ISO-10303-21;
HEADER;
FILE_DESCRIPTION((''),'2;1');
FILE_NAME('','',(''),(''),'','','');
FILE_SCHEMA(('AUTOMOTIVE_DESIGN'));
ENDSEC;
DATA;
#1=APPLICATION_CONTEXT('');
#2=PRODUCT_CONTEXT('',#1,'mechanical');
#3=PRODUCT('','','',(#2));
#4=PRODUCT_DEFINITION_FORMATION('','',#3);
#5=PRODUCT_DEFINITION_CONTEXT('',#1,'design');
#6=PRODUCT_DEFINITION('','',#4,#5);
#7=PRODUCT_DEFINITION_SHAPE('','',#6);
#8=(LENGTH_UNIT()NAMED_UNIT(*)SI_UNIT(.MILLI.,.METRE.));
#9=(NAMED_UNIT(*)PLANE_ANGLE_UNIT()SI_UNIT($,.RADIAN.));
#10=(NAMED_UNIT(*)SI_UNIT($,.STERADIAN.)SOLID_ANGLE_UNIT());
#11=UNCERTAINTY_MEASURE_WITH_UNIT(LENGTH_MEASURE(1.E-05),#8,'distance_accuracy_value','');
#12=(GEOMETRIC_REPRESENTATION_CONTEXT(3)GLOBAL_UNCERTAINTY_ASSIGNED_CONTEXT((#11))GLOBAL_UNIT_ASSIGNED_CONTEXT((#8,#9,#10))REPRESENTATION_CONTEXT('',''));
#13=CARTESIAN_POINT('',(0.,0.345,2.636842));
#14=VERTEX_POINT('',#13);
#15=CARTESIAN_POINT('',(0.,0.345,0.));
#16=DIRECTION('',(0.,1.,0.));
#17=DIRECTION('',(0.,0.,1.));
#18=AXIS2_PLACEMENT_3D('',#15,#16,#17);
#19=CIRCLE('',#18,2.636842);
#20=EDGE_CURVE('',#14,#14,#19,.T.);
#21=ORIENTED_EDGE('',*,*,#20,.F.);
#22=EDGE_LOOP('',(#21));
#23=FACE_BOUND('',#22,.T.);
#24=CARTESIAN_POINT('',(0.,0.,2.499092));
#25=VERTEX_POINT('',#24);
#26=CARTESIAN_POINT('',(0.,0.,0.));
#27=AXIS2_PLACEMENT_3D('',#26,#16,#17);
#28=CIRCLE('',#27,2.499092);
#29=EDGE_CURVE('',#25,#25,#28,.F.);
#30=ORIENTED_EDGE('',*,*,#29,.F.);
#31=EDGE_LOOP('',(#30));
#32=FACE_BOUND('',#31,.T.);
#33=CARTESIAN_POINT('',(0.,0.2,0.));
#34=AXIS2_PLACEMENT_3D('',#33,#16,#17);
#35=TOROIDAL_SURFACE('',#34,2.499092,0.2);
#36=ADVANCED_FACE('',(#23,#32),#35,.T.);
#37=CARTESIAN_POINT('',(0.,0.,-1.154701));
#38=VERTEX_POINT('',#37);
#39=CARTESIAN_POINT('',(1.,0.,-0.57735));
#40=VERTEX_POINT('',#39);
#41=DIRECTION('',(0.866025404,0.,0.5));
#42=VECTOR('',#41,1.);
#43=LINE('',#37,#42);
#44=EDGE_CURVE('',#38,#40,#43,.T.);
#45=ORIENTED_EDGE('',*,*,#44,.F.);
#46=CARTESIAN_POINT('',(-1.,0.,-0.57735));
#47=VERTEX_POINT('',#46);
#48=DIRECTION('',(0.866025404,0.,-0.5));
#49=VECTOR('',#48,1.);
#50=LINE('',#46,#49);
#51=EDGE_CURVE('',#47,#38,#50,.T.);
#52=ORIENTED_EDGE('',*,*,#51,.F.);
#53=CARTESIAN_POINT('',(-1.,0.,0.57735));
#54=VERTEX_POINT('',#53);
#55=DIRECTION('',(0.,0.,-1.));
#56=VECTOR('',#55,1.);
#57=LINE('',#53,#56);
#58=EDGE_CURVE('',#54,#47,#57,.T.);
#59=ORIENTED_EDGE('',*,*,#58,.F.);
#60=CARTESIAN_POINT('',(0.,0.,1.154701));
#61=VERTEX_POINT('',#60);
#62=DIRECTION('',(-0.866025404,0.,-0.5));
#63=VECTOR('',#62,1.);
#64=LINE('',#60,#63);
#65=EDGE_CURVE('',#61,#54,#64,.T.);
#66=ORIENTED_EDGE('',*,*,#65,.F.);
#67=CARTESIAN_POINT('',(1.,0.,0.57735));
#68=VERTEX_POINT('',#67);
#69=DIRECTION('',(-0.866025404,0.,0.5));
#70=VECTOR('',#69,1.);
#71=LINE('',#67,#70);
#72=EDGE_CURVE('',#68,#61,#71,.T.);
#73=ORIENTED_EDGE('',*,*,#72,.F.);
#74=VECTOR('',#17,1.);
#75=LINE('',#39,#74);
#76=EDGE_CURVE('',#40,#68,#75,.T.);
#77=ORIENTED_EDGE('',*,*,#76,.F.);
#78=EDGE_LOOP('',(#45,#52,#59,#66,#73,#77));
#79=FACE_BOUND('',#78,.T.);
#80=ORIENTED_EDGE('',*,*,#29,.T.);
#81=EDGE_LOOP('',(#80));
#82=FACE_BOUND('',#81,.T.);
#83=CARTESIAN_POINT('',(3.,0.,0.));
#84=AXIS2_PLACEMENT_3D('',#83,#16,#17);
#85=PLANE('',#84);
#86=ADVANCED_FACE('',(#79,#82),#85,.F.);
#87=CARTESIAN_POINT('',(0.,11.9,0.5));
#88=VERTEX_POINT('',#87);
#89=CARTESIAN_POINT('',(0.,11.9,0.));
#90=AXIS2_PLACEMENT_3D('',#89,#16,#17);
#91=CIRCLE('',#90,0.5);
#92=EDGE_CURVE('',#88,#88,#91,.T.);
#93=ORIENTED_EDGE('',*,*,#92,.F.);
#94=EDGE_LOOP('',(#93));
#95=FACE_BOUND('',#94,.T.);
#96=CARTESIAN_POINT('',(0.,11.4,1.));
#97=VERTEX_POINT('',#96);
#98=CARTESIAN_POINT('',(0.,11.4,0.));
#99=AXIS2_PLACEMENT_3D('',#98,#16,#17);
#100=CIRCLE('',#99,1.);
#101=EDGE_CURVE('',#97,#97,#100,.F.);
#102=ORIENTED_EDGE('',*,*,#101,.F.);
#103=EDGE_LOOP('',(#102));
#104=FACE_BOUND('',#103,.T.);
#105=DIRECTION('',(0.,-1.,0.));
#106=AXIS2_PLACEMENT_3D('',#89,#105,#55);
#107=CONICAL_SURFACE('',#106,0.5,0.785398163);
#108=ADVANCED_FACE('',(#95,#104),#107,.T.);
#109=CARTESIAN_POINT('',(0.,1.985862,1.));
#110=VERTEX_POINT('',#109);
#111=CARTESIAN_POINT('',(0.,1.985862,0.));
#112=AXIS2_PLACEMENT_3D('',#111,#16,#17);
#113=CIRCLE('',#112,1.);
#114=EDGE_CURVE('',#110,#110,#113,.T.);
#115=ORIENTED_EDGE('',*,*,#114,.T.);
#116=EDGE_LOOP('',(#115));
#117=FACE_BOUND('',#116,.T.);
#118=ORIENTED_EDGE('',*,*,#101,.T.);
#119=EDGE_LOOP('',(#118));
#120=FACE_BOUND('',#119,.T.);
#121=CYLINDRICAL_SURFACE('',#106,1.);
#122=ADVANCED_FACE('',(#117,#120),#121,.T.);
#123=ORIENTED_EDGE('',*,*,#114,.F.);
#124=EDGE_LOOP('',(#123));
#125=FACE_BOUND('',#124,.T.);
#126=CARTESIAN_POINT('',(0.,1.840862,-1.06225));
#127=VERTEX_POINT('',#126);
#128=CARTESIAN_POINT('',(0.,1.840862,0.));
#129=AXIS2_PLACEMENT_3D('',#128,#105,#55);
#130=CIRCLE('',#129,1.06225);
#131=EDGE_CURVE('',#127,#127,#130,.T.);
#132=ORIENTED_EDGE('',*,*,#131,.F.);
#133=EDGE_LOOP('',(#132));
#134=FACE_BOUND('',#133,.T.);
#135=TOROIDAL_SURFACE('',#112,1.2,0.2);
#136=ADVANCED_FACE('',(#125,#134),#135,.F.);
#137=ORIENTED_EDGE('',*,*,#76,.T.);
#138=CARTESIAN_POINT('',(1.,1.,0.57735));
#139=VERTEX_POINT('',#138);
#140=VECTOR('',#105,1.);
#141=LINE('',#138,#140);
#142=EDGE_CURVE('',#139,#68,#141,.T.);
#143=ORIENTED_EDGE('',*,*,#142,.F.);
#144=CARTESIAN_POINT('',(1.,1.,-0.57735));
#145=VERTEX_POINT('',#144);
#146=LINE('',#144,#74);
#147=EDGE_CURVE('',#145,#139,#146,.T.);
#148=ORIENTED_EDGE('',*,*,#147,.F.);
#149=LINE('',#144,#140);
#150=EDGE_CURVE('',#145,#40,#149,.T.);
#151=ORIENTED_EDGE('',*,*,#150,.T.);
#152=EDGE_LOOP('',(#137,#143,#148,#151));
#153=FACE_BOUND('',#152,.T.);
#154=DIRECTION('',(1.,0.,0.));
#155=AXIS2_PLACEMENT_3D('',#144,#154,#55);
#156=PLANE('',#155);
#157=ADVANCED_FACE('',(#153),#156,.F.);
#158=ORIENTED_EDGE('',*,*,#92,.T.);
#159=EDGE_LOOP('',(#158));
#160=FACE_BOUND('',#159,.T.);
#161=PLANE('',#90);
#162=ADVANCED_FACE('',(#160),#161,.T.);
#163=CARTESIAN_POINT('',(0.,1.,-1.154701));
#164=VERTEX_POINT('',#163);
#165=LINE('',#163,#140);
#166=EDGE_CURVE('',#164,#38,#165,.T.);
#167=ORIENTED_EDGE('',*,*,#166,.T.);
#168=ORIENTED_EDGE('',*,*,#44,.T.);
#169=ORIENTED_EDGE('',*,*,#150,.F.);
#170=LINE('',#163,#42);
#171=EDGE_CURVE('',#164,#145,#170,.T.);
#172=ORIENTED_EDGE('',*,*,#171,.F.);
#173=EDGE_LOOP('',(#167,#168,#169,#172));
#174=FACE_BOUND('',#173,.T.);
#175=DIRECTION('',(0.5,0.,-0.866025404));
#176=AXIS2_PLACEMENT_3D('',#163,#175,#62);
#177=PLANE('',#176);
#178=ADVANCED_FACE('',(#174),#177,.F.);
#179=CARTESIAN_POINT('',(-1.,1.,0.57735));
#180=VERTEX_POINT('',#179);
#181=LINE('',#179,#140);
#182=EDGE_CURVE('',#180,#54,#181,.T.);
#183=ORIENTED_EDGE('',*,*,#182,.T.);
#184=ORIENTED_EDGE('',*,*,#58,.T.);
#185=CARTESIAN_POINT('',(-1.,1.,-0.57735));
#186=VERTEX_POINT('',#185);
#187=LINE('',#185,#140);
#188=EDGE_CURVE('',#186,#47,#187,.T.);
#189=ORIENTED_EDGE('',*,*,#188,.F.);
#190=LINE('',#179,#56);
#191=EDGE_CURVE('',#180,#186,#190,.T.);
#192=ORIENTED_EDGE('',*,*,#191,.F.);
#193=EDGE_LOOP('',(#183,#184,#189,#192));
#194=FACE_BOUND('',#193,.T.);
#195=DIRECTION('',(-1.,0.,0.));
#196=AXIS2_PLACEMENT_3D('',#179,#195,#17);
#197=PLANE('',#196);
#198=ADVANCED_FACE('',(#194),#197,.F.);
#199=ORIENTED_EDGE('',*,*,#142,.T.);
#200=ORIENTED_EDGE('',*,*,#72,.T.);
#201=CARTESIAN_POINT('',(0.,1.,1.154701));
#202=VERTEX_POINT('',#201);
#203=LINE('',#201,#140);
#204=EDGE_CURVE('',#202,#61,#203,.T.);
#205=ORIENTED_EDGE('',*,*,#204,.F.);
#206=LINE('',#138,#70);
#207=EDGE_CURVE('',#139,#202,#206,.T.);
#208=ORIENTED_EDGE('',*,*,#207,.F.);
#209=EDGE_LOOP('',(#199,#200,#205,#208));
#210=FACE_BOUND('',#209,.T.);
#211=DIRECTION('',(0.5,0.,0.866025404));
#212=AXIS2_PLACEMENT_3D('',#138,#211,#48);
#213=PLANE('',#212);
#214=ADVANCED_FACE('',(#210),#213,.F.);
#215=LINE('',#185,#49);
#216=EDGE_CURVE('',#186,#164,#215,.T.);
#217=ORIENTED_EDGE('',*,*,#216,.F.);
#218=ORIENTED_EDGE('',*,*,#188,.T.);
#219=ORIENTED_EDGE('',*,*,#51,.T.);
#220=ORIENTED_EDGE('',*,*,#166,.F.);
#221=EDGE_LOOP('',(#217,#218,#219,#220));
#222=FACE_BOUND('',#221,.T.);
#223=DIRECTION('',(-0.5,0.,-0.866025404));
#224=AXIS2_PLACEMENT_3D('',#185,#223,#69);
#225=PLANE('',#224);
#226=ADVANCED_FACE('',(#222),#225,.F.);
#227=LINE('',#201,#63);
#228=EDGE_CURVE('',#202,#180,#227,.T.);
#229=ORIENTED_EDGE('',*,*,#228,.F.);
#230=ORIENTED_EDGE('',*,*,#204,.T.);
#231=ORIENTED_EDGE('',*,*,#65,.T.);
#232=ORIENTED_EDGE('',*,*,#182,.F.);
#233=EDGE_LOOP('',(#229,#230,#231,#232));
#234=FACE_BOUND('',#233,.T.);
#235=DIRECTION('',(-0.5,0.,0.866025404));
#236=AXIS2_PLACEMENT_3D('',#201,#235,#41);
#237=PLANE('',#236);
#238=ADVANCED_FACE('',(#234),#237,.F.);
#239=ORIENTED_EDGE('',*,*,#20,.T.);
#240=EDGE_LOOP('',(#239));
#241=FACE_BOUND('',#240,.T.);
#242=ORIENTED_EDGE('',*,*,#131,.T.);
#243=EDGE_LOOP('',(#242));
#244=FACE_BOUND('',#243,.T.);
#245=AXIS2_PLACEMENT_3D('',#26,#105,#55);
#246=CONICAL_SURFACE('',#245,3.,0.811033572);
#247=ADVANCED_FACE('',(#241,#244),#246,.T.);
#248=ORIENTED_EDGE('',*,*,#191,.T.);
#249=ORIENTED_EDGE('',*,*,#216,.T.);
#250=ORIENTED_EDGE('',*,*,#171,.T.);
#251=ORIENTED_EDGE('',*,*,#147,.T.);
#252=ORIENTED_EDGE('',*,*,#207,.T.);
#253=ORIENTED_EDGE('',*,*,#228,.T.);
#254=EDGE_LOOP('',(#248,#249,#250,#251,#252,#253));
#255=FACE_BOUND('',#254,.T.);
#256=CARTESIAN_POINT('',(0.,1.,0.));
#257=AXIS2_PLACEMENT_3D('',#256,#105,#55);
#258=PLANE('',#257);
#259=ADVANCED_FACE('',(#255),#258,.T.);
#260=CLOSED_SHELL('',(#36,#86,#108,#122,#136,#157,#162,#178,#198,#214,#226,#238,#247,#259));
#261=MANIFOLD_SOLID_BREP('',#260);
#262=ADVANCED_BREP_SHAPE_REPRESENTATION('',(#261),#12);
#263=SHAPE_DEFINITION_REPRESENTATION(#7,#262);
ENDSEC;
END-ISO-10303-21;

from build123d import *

# Parameters (mm, degrees)
SKETCH_2_R          = 1
EXTRUDE_1_DEPTH     = 10
CUT_EXTRUDE_1_DEPTH = 1
CHAMFER_1_SIZE      = 0.5
FILLET_1_R          = 0.2


with BuildPart() as part:
    # 草图1 → 旋转2 (revolve)
    with BuildSketch(Plane.XY, mode=Mode.PRIVATE) as revolve_2_sk:
        Polygon((0, 1.9), (1, 1.9), (3, 0), (0, 0), align=None)
    revolve(revolve_2_sk.sketch.rotate(Axis((0, 3.310292653, 0), (0, -1, 0)), 270), axis=Axis((0, 3.310292653, 0), (0, -1, 0)))

    # 草图2 → 凸台-拉伸1 (add)
    with BuildSketch(Plane(origin=(0, 1.9, 0), x_dir=(1, 0, 0), z_dir=(0, 1, 0))):
        with Locations(Location((0, 0, 0), (0, 0, 90))):
            Circle(SKETCH_2_R)
    extrude(amount=EXTRUDE_1_DEPTH)

    # 草图3 → 切除-拉伸1 (cut)
    with BuildSketch(Plane.XZ):
        Polygon((0, 1.154700538), (-1, 0.577350269), (-1, -0.577350269), (0, -1.154700538), (1, -0.577350269), (1, 0.577350269), align=None)
    extrude(amount=-CUT_EXTRUDE_1_DEPTH, mode=Mode.SUBTRACT)

    # 倒角1
    chamfer_1_edges = [part.edges().sort_by_distance(p)[0] for p in [
        (0, 11.9, 1),
    ]]
    chamfer(chamfer_1_edges, length=CHAMFER_1_SIZE)

    # 圆角1
    fillet_1_edges = [part.edges().sort_by_distance(p)[0] for p in [
        (0, 0, 3),
        (0, 1.9, 1),
    ]]
    fillet(fillet_1_edges, radius=FILLET_1_R)


solid = part.part
